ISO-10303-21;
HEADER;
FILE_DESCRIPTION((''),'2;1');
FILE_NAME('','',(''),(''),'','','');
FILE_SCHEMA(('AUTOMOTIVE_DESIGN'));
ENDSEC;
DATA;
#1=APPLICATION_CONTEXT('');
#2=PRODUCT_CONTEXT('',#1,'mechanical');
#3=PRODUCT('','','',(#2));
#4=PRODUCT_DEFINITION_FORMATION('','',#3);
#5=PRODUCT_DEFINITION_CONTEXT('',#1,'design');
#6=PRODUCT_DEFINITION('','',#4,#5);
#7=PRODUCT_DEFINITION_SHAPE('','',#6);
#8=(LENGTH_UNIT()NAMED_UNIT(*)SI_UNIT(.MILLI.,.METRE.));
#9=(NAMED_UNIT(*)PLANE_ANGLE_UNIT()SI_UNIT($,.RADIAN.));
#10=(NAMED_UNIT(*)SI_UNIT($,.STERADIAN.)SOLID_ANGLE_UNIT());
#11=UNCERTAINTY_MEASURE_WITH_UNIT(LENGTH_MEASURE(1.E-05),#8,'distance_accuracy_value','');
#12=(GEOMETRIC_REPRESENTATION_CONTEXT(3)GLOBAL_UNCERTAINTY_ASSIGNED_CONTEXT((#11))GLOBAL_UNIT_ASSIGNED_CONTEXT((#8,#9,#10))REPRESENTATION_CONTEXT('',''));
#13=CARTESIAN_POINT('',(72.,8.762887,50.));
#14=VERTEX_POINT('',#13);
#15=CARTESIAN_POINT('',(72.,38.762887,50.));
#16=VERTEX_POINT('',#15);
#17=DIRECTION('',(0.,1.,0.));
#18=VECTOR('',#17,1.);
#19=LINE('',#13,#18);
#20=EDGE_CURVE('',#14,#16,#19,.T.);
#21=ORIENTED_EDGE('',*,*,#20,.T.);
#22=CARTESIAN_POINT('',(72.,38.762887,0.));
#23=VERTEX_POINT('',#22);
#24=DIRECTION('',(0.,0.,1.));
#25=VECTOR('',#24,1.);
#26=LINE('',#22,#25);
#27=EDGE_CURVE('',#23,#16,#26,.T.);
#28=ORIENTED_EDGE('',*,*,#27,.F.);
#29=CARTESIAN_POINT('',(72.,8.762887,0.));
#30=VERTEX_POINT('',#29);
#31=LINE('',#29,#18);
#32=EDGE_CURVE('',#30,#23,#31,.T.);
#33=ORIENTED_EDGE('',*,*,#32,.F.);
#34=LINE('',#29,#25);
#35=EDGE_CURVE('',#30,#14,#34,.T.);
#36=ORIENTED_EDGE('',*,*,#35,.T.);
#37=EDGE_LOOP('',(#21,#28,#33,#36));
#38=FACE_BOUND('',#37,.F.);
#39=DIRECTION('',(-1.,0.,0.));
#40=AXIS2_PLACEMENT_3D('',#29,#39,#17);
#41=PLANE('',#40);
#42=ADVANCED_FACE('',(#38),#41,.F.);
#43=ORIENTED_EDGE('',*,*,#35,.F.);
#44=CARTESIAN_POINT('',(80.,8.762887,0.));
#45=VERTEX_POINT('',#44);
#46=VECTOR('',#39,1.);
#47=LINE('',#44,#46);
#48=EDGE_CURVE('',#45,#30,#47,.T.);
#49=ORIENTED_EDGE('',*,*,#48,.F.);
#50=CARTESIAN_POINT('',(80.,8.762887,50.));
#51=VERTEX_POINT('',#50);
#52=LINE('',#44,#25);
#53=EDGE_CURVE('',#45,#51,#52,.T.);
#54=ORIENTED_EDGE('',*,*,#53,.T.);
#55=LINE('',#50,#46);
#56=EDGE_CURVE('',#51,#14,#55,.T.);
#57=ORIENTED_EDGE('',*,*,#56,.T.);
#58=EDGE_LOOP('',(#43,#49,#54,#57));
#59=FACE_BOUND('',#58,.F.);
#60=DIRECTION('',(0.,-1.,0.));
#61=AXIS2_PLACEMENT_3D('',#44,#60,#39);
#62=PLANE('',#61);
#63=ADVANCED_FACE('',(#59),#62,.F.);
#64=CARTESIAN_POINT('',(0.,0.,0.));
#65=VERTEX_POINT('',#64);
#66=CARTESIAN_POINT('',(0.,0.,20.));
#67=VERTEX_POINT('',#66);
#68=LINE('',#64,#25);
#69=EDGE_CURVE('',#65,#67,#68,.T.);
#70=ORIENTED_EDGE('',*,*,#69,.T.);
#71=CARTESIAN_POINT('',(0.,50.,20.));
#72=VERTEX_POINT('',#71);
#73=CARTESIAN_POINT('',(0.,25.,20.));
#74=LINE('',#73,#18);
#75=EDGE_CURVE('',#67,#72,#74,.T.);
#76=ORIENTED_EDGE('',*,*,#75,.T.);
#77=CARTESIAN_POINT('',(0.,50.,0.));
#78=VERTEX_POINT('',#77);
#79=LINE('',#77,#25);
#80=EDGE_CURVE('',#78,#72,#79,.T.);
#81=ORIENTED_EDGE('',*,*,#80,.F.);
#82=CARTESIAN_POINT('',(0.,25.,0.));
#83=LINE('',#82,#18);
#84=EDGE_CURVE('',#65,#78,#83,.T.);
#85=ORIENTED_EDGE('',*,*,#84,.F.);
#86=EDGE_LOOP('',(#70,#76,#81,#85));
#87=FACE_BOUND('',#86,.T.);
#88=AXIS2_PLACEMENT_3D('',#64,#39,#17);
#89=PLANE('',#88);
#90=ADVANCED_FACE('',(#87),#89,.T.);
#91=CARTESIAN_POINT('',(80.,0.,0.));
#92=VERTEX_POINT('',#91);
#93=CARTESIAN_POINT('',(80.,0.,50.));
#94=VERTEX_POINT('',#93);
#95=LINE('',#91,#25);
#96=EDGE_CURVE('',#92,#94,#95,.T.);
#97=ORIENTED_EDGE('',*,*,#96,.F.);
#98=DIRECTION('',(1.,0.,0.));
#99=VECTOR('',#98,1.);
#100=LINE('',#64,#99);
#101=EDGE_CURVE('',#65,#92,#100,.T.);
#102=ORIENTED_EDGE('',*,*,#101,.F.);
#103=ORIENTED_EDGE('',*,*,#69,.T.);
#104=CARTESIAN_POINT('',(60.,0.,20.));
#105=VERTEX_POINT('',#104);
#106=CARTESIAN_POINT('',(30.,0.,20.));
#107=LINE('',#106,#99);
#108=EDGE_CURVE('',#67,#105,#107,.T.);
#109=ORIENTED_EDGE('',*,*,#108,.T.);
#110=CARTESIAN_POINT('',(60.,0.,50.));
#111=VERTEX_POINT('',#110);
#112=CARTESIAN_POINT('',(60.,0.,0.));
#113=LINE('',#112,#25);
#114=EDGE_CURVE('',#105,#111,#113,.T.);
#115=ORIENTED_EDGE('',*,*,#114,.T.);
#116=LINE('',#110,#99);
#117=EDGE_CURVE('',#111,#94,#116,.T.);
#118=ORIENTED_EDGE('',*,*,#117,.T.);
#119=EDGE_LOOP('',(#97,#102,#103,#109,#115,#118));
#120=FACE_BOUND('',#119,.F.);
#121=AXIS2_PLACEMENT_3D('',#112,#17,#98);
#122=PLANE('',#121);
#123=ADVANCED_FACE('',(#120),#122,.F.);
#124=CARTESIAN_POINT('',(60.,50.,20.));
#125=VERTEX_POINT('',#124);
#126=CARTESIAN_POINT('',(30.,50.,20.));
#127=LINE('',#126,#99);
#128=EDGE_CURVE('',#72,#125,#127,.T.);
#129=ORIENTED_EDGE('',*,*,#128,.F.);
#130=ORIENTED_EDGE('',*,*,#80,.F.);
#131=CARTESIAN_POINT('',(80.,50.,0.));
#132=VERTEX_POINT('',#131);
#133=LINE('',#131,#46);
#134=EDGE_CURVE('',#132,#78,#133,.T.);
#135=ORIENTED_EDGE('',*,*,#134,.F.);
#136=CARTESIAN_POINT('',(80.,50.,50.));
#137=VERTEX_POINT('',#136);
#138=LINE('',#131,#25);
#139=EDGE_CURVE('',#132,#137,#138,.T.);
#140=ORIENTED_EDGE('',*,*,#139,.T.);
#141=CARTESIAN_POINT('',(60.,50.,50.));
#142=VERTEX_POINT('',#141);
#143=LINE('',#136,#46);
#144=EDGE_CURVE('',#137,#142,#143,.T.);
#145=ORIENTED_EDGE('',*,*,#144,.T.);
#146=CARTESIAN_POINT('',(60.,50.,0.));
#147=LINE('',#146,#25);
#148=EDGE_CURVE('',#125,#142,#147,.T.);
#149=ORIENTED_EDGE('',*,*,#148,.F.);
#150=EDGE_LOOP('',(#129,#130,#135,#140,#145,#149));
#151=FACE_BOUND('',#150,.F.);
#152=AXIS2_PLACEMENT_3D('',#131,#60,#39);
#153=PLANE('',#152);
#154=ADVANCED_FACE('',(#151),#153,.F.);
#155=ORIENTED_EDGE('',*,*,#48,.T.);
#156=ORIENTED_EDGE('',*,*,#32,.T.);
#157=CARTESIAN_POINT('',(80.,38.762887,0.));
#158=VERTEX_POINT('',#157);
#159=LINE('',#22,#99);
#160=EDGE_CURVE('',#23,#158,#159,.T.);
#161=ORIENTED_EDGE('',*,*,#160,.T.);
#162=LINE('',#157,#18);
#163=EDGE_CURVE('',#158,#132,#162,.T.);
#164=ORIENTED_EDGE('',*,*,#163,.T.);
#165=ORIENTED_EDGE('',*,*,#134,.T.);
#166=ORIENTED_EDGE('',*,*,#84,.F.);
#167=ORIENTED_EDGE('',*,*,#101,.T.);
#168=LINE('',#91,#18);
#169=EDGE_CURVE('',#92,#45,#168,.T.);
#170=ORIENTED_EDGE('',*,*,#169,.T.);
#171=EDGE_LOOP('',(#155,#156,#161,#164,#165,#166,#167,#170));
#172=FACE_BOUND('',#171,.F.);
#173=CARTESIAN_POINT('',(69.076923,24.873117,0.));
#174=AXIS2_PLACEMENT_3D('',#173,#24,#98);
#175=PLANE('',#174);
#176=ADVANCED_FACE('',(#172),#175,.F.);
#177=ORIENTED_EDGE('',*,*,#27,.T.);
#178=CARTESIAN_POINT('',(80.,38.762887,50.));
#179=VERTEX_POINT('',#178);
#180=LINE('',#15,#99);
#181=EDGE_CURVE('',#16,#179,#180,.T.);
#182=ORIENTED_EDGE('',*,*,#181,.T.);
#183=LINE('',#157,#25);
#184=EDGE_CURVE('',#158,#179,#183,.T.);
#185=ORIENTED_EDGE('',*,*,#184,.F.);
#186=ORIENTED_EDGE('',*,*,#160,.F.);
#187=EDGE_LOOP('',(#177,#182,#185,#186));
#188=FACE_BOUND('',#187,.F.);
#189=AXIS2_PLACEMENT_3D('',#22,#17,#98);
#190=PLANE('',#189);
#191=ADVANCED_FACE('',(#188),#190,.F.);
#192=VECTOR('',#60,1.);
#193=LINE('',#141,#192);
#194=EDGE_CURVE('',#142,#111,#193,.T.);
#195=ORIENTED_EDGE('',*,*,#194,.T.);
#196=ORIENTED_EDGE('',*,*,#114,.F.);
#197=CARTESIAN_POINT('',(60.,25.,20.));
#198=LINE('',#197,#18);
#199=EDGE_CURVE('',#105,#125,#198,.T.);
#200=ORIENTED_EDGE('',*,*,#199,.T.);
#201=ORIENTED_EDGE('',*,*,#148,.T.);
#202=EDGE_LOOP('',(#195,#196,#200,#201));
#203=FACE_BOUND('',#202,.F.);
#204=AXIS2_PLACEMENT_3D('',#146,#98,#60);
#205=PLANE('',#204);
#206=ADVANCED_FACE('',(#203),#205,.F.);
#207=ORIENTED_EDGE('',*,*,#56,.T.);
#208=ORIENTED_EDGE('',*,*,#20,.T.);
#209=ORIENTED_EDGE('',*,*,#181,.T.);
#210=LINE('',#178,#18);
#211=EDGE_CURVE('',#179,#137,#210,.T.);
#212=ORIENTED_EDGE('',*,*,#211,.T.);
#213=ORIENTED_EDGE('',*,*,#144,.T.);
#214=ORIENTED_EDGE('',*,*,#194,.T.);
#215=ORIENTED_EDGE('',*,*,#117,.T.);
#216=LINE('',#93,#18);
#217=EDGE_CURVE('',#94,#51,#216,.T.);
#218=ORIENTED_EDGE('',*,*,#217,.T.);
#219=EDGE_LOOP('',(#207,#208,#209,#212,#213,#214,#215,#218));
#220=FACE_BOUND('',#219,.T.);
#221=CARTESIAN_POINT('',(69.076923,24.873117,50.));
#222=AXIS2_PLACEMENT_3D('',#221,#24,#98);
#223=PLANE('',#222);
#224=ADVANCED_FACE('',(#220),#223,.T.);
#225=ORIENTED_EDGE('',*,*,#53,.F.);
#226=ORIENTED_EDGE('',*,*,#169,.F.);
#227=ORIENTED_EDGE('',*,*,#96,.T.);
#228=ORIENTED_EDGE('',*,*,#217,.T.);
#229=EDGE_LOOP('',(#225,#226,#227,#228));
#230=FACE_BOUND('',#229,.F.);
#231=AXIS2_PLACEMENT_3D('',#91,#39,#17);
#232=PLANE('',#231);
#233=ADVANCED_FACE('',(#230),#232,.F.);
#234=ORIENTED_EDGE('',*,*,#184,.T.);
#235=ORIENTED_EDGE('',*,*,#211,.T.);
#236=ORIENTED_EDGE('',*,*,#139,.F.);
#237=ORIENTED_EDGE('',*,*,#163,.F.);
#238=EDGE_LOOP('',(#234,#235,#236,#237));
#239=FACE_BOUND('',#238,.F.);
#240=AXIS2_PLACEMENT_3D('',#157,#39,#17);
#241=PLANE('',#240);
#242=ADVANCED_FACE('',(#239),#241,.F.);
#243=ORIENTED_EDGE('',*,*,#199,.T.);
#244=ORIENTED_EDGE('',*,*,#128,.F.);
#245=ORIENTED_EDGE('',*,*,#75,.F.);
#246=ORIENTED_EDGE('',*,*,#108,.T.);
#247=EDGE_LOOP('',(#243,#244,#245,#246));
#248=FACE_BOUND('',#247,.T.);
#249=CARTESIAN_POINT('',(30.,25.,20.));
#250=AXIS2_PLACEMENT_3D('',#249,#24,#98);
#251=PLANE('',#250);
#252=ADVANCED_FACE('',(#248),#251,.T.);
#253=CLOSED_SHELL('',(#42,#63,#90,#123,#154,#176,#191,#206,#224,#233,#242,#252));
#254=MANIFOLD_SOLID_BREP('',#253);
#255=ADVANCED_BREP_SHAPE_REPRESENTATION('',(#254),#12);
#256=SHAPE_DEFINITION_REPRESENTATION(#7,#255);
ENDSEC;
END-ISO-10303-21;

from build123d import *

# Parameters (mm, degrees)
F0_W     = 60
F0_H     = 50
F1_DEPTH = 20
F2_DEPTH = 50


with BuildPart() as f1:
    # F0 (on Top) → F1 (new body)
    with BuildSketch(Plane.XY):
        with Locations((30, 25)):
            Rectangle(F0_W, F0_H)
    extrude(amount=F1_DEPTH)

    # F0 (on Top) → F2 (join)
    with BuildSketch(Plane.XY):
        Polygon((60, 50), (60, 0), (80, 0), (80, 8.762887), (72, 8.762887), (72, 38.762887), (80, 38.762887), (80, 50), align=None)
    extrude(amount=F2_DEPTH)


solid = f1.part
